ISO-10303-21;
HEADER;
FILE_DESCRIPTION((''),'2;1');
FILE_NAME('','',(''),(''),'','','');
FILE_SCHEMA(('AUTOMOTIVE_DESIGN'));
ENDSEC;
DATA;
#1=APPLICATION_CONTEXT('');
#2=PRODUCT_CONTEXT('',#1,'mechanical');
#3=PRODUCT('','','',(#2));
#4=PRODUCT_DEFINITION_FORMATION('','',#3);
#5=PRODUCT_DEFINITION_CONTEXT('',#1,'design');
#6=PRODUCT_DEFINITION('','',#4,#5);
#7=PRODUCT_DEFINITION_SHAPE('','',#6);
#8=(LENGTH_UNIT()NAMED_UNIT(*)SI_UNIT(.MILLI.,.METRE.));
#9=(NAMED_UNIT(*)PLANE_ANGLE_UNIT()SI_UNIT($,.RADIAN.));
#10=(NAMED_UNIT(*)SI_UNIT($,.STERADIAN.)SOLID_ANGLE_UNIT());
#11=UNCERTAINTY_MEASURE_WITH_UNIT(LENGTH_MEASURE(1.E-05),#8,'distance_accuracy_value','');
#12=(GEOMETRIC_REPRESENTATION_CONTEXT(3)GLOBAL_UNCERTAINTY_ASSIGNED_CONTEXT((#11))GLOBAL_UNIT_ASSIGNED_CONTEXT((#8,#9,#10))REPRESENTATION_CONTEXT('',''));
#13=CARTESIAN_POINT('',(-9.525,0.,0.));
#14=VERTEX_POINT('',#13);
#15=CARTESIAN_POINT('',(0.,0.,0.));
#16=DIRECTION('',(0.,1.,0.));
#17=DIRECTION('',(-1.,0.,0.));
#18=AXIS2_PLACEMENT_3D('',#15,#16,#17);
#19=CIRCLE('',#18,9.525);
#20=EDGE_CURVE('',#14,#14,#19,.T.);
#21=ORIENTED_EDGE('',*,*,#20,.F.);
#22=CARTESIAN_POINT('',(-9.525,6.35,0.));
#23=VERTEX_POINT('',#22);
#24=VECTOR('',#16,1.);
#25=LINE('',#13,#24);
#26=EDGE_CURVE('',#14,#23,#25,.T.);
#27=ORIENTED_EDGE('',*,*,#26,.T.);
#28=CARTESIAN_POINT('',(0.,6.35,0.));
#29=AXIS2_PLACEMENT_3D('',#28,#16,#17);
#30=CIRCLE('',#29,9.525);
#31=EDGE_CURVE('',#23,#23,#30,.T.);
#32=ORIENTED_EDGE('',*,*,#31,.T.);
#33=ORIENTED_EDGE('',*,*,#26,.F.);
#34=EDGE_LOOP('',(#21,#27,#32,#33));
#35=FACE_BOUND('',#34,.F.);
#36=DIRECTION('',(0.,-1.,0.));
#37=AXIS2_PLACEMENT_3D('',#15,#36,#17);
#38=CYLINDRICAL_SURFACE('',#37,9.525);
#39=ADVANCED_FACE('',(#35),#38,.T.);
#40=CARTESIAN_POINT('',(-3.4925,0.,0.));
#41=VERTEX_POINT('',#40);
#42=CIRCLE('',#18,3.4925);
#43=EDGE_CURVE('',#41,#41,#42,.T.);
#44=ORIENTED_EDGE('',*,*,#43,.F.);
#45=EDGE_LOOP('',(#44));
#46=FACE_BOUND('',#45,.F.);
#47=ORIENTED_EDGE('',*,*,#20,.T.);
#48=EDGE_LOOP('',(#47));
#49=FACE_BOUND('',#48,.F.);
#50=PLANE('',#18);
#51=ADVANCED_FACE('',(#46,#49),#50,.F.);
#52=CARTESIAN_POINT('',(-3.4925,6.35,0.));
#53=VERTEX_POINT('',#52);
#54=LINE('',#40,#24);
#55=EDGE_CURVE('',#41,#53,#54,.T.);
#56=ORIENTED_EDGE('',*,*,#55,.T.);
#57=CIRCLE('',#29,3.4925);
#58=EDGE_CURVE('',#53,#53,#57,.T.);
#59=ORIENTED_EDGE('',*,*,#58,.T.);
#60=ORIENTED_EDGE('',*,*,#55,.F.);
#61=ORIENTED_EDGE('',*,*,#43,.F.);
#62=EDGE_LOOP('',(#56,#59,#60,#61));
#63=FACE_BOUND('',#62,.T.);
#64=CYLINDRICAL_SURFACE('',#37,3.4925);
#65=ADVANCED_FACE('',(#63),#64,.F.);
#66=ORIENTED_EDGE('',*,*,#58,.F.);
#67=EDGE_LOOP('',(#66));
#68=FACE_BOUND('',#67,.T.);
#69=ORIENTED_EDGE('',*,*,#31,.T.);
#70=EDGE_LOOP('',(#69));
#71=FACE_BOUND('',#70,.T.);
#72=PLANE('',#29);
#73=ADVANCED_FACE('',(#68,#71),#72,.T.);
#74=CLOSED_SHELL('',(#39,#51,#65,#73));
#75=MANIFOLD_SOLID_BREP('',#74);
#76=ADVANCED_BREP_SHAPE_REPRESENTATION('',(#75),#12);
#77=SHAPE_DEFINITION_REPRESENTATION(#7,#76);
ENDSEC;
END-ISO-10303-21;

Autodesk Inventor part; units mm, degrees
ref_plane "YZ Plane" through (0, 0, 0) normal (1, 0, 0) x (0, 1, 0)
ref_plane "XZ Plane" through (0, 0, 0) normal (0, 1, 0) x (-1, 0, 0)
ref_plane "XY Plane" through (0, 0, 0) normal (0, 0, 1) x (1, 0, 0)
sketch "Sketch1" plane through (0, 0, 0) normal (0, 1, 0) x (-1, 0, 0)
  circle A0 centre (0, 0) radius 9.525
  circle A1 centre (0, 0) radius 3.4925
  dimension "d0" = 19.05
  dimension "d1" = 6.985
extrude "Extrusion1" add sketch "Sketch1" along normal blind 6.35
properties part number "Spacer" material "Nylon 6/6"
